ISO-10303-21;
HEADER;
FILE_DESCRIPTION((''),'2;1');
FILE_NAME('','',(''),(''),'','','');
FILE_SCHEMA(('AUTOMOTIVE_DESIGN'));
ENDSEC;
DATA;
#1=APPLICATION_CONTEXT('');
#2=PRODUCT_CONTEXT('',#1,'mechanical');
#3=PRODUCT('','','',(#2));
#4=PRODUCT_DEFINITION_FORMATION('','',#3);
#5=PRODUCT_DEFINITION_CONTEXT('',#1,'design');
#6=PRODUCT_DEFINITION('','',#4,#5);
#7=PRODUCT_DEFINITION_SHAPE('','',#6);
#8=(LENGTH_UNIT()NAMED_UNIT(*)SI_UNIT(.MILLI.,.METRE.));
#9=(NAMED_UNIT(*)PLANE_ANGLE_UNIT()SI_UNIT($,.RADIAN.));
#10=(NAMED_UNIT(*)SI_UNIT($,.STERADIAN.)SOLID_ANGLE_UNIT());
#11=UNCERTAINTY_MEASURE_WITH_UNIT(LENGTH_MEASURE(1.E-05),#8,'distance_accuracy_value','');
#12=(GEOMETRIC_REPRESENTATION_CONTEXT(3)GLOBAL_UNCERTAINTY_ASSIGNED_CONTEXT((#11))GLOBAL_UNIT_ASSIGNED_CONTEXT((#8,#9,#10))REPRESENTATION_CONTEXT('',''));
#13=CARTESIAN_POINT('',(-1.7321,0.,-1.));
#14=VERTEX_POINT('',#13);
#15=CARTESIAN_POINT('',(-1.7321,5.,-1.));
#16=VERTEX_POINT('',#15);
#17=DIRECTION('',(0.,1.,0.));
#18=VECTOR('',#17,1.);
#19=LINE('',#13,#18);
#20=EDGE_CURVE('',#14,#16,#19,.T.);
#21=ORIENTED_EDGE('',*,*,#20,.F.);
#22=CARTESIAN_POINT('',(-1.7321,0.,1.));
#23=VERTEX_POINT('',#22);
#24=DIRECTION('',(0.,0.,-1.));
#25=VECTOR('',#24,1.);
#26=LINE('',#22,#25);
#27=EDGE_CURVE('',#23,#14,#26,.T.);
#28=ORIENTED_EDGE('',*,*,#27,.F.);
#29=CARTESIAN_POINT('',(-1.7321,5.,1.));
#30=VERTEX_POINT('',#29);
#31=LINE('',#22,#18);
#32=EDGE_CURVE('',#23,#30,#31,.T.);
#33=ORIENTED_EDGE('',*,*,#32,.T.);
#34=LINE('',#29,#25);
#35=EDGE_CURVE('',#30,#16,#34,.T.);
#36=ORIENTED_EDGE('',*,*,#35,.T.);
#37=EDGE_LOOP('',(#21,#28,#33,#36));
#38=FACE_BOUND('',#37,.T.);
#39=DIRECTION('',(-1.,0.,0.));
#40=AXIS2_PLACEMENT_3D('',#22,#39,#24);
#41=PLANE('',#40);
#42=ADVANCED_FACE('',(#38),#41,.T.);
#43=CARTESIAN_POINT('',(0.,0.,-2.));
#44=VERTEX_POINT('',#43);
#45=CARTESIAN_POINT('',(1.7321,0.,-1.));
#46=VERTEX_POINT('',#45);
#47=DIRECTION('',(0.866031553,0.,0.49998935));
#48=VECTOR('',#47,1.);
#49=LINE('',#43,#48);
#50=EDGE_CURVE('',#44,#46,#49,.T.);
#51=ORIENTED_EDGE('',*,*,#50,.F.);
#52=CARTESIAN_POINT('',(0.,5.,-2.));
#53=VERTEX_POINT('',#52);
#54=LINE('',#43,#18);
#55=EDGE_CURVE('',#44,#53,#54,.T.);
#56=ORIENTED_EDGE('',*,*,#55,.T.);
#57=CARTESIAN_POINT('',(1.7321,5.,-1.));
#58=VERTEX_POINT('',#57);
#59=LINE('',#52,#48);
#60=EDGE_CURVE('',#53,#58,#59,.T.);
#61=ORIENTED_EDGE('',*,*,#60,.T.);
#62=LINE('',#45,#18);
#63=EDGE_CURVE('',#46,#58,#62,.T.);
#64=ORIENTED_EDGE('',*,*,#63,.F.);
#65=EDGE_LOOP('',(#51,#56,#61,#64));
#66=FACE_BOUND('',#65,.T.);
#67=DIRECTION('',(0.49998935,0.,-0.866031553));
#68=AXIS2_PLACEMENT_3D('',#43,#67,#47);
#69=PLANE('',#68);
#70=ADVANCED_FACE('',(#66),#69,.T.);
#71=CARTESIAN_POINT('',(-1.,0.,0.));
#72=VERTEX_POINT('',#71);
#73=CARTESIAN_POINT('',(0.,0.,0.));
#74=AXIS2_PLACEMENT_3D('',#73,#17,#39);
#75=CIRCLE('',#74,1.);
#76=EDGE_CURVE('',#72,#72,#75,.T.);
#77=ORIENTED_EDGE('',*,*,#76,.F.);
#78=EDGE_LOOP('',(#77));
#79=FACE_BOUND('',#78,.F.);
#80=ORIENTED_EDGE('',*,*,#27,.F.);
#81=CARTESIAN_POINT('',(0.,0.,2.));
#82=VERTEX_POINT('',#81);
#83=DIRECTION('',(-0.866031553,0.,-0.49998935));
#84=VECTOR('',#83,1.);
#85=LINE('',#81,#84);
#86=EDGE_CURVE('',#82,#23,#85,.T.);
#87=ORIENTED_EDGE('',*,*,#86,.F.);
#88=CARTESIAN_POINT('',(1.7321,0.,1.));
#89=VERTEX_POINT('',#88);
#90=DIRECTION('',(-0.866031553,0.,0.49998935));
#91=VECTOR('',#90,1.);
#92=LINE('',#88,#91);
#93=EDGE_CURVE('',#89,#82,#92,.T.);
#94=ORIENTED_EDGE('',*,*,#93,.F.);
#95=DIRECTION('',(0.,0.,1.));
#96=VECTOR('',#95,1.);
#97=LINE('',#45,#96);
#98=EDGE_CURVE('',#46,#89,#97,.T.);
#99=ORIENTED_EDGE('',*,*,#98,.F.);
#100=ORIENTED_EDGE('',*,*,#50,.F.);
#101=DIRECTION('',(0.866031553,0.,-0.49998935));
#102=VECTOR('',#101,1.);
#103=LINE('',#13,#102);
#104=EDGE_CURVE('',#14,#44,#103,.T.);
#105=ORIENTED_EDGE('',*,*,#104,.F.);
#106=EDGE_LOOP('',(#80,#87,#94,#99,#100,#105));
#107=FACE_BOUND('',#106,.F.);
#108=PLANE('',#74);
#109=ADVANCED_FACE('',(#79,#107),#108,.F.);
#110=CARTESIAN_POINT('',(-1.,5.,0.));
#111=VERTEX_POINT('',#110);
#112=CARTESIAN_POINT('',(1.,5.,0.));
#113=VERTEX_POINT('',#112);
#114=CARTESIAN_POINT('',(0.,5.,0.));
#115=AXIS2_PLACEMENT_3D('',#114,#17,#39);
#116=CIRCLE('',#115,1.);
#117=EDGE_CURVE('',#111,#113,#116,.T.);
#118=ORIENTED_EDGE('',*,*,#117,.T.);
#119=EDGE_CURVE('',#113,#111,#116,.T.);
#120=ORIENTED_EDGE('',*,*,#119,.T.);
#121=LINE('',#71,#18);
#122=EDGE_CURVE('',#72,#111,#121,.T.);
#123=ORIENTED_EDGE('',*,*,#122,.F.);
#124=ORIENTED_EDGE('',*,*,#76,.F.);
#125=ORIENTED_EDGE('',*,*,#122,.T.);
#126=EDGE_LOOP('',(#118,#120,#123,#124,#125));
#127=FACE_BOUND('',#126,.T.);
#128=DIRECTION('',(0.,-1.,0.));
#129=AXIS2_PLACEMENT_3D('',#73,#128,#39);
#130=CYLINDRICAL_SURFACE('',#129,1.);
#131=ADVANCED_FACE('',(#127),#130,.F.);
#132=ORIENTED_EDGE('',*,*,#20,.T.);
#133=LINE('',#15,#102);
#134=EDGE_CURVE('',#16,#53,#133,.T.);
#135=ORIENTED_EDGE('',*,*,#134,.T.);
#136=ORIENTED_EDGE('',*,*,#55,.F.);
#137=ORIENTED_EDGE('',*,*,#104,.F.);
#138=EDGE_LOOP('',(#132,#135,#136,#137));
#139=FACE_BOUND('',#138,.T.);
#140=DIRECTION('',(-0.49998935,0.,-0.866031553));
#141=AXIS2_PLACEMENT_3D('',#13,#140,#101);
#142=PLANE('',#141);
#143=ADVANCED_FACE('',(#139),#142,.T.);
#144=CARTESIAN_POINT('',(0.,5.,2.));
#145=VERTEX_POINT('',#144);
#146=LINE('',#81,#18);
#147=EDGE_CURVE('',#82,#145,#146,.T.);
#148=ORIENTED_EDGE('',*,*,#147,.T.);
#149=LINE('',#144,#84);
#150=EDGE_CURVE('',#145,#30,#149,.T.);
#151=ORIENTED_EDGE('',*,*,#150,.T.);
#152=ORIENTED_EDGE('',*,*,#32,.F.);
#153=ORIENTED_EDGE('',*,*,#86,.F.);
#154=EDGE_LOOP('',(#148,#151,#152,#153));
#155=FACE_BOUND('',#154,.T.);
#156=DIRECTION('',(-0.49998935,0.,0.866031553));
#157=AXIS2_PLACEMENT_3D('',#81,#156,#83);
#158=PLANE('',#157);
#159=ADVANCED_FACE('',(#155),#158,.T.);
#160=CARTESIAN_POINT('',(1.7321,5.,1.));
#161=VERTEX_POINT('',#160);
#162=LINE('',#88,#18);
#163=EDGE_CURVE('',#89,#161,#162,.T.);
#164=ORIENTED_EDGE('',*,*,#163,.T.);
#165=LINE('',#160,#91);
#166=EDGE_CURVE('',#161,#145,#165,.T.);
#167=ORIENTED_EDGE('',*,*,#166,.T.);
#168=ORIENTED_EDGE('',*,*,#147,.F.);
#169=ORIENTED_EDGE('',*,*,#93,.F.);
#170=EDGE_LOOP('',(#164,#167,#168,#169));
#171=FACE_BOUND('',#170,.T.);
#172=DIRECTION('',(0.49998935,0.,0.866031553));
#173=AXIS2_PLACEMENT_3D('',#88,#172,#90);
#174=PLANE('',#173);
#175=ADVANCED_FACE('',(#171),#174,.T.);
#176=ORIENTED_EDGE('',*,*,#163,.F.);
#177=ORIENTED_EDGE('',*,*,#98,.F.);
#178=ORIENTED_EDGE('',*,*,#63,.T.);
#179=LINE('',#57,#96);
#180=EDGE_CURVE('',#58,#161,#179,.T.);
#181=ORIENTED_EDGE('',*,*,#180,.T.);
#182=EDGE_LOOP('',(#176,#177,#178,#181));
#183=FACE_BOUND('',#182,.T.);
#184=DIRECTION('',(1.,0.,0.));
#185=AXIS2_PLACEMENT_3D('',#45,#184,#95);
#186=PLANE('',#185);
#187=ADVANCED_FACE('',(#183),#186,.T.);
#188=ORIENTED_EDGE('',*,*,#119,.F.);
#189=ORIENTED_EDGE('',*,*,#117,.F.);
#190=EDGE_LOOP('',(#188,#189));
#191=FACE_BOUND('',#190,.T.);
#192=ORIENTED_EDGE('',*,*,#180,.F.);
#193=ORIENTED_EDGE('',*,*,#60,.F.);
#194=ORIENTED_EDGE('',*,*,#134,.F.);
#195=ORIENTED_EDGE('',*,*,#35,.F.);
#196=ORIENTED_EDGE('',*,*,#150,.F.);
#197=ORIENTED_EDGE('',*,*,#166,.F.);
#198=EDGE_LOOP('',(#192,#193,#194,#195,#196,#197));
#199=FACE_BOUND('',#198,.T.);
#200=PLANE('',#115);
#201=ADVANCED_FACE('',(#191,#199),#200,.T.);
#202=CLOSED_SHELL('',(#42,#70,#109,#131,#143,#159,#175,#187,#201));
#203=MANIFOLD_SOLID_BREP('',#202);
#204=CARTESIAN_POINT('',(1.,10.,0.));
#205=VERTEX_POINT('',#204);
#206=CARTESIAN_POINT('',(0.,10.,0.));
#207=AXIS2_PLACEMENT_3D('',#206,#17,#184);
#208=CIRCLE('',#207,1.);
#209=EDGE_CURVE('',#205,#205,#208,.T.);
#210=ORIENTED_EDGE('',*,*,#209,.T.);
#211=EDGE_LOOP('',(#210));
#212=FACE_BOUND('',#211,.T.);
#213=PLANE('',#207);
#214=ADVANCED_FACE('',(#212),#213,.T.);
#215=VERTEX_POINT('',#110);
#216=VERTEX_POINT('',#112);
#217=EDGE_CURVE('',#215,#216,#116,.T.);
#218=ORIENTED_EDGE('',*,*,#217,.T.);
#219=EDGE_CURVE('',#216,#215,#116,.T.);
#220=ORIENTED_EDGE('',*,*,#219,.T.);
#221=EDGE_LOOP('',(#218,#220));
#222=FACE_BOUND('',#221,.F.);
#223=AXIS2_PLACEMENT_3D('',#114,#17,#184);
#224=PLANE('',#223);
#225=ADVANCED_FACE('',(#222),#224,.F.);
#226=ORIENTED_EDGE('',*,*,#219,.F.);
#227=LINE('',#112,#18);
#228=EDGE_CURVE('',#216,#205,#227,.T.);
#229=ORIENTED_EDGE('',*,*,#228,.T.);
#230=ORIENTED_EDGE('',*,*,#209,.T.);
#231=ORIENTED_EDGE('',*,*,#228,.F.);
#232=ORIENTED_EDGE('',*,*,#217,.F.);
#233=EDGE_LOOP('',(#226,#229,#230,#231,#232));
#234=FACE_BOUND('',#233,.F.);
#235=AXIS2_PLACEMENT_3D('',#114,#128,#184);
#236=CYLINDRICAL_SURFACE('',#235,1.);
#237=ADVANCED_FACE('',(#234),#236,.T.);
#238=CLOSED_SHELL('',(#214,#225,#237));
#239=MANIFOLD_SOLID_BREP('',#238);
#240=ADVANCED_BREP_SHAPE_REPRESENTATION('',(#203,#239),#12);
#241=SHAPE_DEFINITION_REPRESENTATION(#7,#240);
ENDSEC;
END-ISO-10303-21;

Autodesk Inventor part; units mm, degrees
ref_plane "YZ Plane" through (0, 0, 0) normal (1, 0, 0) x (0, 1, 0)
ref_plane "XZ Plane" through (0, 0, 0) normal (0, 1, 0) x (-1, 0, 0)
ref_plane "XY Plane" through (0, 0, 0) normal (0, 0, 1) x (1, 0, 0)
sketch "Sketch1" plane through (0, 0, 0) normal (0, 1, 0) x (-1, 0, 0)
  circle A0 centre (0, 0) radius 1
  line L0 (0, -2) -> (-1.7321, -1)
  line L1 (-1.7321, -1) -> (-1.7321, 1)
  line L2 (-1.7321, 1) -> (0, 2)
  line L3 (0, 2) -> (1.7321, 1)
  line L4 (1.7321, 1) -> (1.7321, -1)
  line L5 (1.7321, -1) -> (0, -2)
  dimension "d0" = 2
  dimension "d1" = 2
extrude "Extrusion1" add sketch "Sketch1" along normal blind 5
sketch "Sketch2" plane through (0, 5, 0) normal (0, 1, 0) x (1, 0, 0)
  circle A0 centre (0, 0) radius 1
extrude "Extrusion2" add sketch "Sketch2" along normal blind 5
thread "Thread1" size "M2x0.4" class "6g" standard "ANSI Metric M Profile" full length
thread "Thread2" size "M2x0.4" class "6H" standard "ANSI Metric M Profile" full length
properties part number "dist5mmM2" material "Brass, Soft Yellow"
